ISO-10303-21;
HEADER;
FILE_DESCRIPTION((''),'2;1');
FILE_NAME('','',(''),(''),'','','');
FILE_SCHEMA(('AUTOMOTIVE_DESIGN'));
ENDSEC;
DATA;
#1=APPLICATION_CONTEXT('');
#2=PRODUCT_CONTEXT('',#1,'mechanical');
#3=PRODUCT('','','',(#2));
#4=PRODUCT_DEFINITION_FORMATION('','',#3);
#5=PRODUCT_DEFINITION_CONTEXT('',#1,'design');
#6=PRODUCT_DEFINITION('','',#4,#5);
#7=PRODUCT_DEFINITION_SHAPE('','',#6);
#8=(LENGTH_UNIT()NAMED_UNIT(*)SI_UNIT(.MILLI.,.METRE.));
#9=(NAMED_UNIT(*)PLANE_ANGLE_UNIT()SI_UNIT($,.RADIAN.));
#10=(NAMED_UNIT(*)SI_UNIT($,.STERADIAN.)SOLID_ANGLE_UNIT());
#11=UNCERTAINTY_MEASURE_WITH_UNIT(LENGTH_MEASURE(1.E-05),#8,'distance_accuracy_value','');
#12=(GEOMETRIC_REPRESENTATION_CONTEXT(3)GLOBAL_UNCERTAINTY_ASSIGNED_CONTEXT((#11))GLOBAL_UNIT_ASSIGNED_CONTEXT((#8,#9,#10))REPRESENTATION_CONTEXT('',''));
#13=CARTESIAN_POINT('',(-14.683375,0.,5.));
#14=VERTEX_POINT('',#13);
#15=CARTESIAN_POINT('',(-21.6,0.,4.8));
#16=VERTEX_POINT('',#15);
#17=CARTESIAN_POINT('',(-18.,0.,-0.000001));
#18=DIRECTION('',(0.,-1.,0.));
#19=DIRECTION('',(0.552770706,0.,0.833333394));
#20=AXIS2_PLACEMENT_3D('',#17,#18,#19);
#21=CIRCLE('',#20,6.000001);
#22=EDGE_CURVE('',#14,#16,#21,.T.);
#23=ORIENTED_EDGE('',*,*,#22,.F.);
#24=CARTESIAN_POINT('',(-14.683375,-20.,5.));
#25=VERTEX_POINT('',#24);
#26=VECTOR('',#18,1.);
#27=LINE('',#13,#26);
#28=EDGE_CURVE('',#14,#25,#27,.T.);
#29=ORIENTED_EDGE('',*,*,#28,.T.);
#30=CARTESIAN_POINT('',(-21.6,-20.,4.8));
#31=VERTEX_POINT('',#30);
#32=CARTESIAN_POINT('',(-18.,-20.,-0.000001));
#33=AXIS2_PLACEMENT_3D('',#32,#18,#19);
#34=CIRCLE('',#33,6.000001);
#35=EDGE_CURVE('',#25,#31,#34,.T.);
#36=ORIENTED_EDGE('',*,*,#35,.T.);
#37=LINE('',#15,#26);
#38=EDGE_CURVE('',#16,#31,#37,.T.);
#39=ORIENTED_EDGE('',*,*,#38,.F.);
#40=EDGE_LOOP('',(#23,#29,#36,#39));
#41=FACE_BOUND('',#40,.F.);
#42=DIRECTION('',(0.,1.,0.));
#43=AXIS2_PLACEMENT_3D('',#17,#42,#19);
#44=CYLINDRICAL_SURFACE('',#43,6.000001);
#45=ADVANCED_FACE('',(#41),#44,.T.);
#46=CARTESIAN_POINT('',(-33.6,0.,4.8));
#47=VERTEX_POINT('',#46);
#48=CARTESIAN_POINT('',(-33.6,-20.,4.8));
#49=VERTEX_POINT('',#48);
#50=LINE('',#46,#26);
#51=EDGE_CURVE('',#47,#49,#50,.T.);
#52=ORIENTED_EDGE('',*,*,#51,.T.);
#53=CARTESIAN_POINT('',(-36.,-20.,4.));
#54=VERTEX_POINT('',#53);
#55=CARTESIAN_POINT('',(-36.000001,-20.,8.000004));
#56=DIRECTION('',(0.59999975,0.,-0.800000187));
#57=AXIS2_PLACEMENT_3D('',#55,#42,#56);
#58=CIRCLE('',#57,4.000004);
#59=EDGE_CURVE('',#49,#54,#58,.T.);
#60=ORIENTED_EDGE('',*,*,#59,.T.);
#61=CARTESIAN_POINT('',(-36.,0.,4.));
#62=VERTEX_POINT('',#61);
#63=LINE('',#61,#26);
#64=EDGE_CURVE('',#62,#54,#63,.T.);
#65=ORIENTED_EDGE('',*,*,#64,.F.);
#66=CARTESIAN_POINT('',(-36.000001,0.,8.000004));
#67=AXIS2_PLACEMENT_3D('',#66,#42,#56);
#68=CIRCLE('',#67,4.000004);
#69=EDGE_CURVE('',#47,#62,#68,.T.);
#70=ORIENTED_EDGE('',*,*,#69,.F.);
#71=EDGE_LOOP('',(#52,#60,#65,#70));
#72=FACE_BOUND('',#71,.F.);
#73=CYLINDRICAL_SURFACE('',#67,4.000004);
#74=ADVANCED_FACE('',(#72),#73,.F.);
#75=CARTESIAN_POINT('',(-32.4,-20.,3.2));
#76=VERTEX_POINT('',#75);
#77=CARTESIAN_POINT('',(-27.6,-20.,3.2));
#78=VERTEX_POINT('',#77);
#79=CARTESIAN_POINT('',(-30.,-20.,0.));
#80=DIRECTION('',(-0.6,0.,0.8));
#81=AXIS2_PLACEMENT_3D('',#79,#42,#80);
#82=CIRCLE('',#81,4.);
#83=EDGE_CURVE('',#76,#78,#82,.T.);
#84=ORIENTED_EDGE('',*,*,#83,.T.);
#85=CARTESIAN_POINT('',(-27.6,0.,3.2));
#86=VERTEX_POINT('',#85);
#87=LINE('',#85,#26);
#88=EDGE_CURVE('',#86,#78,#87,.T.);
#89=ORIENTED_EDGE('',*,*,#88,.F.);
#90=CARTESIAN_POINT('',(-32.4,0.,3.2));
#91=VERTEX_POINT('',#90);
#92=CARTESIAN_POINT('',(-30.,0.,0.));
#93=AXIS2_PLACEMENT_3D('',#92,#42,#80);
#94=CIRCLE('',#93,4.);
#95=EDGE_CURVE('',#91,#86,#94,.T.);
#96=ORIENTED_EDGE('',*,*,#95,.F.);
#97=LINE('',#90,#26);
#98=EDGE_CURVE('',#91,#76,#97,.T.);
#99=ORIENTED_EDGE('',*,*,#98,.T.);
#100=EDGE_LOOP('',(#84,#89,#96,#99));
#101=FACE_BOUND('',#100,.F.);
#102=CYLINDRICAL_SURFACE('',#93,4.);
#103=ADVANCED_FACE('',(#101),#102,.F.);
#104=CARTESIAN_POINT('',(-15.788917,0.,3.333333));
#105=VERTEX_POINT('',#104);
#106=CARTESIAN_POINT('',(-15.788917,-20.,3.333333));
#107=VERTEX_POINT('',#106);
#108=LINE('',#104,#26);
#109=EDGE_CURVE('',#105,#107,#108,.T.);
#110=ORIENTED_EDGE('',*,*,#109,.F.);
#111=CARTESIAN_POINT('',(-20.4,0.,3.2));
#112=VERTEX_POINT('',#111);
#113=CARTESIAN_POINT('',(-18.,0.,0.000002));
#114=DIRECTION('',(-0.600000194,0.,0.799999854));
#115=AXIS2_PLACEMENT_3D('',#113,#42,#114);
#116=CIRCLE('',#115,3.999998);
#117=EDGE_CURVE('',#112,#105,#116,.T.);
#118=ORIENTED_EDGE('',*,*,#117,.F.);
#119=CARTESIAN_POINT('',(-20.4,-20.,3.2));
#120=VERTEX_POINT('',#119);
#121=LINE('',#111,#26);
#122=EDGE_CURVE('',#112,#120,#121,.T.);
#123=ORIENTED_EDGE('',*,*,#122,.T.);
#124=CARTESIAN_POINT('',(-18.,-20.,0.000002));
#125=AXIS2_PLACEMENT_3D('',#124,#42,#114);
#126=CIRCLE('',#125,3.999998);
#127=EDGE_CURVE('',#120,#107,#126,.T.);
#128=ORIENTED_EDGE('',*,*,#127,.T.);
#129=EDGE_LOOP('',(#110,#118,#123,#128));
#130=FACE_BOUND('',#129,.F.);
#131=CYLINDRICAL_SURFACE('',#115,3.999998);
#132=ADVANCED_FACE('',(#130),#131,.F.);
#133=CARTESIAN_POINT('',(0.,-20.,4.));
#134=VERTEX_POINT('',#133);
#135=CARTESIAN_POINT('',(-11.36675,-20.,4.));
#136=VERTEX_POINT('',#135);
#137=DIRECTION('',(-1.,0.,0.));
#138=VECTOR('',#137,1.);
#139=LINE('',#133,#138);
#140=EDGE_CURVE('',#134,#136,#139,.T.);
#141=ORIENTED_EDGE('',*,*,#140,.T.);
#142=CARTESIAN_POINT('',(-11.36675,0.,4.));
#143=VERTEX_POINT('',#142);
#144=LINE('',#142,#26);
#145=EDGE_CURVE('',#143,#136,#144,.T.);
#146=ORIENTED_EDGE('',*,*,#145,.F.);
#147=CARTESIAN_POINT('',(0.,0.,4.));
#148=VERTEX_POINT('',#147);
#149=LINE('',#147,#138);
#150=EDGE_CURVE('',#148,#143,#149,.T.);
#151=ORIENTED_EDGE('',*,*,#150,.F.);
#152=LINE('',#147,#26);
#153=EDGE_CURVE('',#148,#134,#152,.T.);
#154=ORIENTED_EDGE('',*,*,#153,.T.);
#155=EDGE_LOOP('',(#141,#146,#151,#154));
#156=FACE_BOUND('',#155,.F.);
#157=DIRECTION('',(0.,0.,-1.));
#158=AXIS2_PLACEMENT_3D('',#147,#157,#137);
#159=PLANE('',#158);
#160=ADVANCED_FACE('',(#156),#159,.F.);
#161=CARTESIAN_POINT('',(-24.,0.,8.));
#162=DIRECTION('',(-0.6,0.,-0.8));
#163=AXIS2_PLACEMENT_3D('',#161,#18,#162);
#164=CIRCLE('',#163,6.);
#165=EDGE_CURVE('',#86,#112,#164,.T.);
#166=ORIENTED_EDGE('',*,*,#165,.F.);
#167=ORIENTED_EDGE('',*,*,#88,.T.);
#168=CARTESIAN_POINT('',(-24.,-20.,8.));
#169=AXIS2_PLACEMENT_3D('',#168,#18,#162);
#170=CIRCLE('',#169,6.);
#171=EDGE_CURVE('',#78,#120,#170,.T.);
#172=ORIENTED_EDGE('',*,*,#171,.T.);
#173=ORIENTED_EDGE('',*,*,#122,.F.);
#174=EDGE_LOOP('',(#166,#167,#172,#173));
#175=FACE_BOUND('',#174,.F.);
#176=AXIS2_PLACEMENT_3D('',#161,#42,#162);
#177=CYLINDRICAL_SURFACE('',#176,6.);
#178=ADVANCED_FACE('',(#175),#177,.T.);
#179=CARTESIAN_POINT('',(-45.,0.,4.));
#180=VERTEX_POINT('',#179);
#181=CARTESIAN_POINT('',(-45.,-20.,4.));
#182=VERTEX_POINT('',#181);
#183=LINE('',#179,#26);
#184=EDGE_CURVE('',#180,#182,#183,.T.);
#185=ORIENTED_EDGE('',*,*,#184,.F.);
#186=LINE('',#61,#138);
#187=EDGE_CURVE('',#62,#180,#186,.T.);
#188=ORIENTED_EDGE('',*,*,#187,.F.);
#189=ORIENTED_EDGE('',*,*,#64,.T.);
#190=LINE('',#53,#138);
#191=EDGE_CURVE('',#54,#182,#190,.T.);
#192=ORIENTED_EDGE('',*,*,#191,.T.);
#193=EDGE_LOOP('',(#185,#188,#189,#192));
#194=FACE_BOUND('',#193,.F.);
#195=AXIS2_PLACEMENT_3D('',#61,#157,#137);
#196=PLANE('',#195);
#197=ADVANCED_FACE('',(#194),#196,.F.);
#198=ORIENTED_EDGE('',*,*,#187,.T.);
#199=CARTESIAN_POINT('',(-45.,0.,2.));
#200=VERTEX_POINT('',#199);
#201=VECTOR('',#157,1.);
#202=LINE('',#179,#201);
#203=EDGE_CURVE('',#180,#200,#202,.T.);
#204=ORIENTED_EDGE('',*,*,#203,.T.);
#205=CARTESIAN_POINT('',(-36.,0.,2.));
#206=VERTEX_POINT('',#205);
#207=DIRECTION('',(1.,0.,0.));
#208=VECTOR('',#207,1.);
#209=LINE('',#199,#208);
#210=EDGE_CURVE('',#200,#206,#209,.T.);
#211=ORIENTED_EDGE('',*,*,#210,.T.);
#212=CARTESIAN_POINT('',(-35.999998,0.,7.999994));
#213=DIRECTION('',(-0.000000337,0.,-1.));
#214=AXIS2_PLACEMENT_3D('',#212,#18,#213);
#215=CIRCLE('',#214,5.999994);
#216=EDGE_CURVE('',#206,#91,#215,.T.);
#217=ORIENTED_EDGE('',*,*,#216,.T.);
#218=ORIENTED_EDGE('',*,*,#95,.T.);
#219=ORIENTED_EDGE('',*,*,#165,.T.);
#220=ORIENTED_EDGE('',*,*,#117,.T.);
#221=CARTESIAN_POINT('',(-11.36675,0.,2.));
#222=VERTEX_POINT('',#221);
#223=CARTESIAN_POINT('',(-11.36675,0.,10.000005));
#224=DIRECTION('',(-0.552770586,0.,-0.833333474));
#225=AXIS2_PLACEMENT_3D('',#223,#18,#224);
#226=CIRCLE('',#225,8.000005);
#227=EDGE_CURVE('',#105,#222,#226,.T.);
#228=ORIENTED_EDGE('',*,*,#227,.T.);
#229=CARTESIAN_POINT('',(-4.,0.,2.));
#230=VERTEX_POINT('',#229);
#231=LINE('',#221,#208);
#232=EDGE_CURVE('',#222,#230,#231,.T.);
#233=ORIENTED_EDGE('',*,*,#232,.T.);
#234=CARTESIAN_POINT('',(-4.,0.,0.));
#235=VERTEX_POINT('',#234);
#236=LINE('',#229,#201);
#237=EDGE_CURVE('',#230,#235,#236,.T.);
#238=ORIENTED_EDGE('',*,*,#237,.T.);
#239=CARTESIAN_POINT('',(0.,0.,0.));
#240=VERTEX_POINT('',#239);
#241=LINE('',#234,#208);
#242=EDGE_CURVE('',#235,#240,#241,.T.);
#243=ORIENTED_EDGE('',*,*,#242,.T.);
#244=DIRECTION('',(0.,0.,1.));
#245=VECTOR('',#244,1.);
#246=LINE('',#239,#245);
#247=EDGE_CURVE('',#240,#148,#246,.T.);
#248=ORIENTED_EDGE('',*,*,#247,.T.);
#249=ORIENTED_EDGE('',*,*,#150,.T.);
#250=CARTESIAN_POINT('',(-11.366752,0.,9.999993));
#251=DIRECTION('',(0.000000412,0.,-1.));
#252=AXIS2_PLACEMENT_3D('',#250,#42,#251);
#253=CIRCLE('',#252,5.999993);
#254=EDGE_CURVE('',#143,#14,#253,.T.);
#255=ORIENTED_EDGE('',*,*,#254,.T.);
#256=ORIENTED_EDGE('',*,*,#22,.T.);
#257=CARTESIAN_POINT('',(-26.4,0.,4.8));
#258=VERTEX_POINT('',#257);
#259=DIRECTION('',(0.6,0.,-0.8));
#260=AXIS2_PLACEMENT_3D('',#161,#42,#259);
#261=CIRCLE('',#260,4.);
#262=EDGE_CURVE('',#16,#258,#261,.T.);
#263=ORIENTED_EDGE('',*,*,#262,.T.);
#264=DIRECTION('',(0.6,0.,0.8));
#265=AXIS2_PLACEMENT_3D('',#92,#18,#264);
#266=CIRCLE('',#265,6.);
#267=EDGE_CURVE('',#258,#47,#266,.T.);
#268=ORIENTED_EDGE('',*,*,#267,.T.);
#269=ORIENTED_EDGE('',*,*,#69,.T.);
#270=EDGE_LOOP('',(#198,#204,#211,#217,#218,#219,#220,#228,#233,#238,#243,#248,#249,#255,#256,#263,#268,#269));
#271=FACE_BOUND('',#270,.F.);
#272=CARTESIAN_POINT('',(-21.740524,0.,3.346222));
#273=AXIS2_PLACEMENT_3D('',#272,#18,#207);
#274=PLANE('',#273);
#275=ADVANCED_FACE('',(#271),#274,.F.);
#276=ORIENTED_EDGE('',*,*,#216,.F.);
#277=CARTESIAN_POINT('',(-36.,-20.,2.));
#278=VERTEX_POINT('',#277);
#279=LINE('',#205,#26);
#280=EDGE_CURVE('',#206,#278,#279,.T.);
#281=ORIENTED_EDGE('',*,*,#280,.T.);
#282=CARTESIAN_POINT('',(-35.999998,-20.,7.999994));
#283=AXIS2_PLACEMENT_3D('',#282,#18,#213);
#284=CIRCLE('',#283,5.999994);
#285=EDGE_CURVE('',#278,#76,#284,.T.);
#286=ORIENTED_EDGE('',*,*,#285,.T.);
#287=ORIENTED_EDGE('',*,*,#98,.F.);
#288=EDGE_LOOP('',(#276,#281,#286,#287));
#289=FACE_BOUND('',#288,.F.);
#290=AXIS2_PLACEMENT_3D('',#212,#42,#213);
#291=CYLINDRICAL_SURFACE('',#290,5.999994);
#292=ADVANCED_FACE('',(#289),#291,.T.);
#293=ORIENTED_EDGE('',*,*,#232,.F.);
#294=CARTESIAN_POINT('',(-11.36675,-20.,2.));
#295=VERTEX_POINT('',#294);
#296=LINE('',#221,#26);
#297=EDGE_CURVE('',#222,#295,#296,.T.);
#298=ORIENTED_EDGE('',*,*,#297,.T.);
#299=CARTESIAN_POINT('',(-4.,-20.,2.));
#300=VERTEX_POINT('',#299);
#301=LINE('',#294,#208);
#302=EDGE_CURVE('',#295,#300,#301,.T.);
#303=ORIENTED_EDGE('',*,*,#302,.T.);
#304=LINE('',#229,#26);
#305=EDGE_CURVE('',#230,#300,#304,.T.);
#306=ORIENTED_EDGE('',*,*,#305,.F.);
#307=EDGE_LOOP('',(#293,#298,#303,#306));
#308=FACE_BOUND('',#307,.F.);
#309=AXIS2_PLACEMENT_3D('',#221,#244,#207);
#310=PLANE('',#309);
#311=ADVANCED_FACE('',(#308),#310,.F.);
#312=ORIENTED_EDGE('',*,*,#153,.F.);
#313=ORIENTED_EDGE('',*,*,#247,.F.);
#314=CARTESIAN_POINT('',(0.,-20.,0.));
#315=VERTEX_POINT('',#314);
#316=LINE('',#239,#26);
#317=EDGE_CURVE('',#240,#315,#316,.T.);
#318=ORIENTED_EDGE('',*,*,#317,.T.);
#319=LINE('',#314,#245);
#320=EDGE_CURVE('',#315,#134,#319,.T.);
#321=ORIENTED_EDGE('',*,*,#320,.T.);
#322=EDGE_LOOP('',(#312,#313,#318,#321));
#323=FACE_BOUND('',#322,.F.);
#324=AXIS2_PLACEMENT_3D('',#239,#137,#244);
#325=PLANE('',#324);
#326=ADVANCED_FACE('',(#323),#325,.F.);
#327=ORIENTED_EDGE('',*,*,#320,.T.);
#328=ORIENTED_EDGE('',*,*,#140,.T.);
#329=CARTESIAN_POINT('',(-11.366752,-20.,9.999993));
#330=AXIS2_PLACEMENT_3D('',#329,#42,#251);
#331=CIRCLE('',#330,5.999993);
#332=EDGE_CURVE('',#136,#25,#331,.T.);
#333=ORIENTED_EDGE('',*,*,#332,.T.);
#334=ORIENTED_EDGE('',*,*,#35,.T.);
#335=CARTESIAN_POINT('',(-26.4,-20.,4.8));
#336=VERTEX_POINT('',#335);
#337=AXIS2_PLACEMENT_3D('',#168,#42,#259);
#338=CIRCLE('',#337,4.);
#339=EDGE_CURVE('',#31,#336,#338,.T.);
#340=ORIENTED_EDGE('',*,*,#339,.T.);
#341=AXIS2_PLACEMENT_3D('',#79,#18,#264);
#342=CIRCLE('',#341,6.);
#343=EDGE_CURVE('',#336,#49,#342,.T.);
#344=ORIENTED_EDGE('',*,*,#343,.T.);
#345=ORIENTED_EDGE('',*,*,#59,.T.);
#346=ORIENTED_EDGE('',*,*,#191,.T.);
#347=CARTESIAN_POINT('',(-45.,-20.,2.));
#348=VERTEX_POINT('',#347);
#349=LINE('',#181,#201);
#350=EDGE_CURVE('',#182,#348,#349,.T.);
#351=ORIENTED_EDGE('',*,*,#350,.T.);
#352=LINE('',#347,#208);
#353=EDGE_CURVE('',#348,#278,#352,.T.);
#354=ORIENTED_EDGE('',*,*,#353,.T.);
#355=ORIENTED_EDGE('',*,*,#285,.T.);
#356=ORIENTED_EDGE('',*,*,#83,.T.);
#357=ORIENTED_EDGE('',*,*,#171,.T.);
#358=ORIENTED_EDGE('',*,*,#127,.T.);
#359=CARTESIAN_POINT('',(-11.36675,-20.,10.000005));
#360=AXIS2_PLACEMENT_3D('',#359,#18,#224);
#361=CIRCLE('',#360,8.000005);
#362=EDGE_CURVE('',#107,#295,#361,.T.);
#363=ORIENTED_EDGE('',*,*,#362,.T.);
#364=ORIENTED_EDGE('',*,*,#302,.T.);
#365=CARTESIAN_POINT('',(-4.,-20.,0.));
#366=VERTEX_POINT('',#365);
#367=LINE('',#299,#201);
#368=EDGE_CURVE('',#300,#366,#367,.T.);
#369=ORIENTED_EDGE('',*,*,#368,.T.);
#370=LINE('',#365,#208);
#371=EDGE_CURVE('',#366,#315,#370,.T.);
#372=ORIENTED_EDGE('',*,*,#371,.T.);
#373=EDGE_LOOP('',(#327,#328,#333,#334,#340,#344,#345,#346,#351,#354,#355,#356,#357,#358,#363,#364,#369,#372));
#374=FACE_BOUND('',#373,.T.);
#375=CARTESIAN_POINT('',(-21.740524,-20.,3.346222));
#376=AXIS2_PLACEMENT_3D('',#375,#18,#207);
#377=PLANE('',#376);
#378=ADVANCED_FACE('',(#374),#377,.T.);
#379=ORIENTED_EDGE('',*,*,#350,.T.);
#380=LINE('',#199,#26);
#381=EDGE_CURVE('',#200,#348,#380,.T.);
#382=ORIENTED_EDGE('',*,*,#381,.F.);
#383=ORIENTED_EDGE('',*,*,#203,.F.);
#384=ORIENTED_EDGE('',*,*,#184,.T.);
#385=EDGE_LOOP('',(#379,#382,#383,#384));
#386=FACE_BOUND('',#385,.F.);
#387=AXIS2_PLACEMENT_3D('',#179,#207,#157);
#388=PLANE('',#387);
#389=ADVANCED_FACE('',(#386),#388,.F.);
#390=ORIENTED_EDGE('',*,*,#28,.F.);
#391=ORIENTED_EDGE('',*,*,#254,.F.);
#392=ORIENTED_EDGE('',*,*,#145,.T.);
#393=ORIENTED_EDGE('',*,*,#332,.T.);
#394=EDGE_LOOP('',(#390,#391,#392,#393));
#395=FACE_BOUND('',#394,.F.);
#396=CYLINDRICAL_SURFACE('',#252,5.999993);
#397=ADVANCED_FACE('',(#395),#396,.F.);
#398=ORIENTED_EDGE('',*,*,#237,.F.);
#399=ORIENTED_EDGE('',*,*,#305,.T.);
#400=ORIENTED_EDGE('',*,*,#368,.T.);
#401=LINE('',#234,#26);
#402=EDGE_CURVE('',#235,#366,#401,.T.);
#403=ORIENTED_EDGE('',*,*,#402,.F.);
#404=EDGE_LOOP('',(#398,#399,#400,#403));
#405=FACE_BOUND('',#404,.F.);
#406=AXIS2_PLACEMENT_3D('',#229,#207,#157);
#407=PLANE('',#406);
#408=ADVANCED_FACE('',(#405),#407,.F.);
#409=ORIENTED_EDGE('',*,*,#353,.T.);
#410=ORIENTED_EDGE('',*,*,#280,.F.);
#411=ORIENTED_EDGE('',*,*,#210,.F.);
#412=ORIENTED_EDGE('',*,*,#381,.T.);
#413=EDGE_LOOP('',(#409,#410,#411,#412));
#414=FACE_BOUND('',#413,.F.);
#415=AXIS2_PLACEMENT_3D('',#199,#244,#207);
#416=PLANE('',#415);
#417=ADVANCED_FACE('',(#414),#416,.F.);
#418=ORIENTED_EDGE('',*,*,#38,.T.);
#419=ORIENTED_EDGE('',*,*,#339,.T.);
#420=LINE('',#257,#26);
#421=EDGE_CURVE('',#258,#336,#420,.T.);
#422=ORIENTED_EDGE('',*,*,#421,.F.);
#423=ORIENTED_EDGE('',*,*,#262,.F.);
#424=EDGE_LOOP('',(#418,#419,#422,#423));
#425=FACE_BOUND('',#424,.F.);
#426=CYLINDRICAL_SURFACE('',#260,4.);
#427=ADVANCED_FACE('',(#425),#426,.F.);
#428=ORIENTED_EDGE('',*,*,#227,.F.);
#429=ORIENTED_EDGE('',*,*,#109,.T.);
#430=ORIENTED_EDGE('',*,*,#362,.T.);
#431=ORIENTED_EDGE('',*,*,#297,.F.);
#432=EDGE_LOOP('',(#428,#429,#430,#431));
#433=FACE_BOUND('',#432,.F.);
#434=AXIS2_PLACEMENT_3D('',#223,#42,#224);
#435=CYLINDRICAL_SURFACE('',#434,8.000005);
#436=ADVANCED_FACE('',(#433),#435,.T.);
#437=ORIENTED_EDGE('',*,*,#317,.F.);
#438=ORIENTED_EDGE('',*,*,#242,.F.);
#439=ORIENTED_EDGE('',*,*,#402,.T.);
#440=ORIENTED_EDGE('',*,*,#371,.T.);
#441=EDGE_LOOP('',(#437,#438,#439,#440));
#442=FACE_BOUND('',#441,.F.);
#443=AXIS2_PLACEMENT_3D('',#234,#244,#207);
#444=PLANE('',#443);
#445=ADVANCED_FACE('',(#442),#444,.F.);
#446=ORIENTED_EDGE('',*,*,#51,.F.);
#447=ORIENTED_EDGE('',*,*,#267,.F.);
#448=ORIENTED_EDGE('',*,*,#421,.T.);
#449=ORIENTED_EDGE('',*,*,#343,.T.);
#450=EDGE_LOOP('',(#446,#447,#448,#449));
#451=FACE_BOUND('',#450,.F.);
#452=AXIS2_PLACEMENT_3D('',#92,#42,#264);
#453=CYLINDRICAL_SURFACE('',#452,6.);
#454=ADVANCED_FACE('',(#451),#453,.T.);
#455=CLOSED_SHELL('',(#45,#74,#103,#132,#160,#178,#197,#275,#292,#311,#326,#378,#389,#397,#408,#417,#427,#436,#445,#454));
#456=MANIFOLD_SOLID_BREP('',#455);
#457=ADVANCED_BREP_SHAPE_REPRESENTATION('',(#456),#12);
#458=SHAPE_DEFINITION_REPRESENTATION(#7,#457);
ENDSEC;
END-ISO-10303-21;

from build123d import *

# Parameters (mm, degrees)
F1_DEPTH = 20


with BuildPart() as f1:
    # F0 (on Front) → F1 (new body)
    with BuildSketch(Plane.XZ):
        with BuildLine():
            Line((-36, 4), (-45, 4))
            Line((-45, 4), (-45, 2))
            Line((-45, 2), (-36, 2))
            ThreePointArc((-36, 2), (-34.102633, 2.3079), (-32.4, 3.2))
            ThreePointArc((-32.4, 3.2), (-30, 4), (-27.6, 3.2))
            ThreePointArc((-27.6, 3.2), (-24, 2), (-20.4, 3.2))
            ThreePointArc((-20.4, 3.2), (-18.115615, 3.998329), (-15.788917, 3.333333))
            ThreePointArc((-15.788917, 3.333333), (-13.676151, 2.340583), (-11.36675, 2))
            Line((-11.36675, 2), (-4, 2))
            Line((-4, 2), (-4, 0))
            Line((-4, 0), (0, 0))
            Line((0, 0), (0, 4))
            Line((0, 4), (-4, 4))
            Line((-4, 4), (-11.36675, 4))
            ThreePointArc((-11.36675, 4), (-13.098801, 4.255437), (-14.683375, 5))
            ThreePointArc((-14.683375, 5), (-18.173423, 5.997493), (-21.6, 4.8))
            ThreePointArc((-21.6, 4.8), (-24, 4), (-26.4, 4.8))
            ThreePointArc((-26.4, 4.8), (-30, 6), (-33.6, 4.8))
            ThreePointArc((-33.6, 4.8), (-34.735089, 4.205267), (-36, 4))
        make_face()
    extrude(amount=F1_DEPTH)


solid = f1.part
